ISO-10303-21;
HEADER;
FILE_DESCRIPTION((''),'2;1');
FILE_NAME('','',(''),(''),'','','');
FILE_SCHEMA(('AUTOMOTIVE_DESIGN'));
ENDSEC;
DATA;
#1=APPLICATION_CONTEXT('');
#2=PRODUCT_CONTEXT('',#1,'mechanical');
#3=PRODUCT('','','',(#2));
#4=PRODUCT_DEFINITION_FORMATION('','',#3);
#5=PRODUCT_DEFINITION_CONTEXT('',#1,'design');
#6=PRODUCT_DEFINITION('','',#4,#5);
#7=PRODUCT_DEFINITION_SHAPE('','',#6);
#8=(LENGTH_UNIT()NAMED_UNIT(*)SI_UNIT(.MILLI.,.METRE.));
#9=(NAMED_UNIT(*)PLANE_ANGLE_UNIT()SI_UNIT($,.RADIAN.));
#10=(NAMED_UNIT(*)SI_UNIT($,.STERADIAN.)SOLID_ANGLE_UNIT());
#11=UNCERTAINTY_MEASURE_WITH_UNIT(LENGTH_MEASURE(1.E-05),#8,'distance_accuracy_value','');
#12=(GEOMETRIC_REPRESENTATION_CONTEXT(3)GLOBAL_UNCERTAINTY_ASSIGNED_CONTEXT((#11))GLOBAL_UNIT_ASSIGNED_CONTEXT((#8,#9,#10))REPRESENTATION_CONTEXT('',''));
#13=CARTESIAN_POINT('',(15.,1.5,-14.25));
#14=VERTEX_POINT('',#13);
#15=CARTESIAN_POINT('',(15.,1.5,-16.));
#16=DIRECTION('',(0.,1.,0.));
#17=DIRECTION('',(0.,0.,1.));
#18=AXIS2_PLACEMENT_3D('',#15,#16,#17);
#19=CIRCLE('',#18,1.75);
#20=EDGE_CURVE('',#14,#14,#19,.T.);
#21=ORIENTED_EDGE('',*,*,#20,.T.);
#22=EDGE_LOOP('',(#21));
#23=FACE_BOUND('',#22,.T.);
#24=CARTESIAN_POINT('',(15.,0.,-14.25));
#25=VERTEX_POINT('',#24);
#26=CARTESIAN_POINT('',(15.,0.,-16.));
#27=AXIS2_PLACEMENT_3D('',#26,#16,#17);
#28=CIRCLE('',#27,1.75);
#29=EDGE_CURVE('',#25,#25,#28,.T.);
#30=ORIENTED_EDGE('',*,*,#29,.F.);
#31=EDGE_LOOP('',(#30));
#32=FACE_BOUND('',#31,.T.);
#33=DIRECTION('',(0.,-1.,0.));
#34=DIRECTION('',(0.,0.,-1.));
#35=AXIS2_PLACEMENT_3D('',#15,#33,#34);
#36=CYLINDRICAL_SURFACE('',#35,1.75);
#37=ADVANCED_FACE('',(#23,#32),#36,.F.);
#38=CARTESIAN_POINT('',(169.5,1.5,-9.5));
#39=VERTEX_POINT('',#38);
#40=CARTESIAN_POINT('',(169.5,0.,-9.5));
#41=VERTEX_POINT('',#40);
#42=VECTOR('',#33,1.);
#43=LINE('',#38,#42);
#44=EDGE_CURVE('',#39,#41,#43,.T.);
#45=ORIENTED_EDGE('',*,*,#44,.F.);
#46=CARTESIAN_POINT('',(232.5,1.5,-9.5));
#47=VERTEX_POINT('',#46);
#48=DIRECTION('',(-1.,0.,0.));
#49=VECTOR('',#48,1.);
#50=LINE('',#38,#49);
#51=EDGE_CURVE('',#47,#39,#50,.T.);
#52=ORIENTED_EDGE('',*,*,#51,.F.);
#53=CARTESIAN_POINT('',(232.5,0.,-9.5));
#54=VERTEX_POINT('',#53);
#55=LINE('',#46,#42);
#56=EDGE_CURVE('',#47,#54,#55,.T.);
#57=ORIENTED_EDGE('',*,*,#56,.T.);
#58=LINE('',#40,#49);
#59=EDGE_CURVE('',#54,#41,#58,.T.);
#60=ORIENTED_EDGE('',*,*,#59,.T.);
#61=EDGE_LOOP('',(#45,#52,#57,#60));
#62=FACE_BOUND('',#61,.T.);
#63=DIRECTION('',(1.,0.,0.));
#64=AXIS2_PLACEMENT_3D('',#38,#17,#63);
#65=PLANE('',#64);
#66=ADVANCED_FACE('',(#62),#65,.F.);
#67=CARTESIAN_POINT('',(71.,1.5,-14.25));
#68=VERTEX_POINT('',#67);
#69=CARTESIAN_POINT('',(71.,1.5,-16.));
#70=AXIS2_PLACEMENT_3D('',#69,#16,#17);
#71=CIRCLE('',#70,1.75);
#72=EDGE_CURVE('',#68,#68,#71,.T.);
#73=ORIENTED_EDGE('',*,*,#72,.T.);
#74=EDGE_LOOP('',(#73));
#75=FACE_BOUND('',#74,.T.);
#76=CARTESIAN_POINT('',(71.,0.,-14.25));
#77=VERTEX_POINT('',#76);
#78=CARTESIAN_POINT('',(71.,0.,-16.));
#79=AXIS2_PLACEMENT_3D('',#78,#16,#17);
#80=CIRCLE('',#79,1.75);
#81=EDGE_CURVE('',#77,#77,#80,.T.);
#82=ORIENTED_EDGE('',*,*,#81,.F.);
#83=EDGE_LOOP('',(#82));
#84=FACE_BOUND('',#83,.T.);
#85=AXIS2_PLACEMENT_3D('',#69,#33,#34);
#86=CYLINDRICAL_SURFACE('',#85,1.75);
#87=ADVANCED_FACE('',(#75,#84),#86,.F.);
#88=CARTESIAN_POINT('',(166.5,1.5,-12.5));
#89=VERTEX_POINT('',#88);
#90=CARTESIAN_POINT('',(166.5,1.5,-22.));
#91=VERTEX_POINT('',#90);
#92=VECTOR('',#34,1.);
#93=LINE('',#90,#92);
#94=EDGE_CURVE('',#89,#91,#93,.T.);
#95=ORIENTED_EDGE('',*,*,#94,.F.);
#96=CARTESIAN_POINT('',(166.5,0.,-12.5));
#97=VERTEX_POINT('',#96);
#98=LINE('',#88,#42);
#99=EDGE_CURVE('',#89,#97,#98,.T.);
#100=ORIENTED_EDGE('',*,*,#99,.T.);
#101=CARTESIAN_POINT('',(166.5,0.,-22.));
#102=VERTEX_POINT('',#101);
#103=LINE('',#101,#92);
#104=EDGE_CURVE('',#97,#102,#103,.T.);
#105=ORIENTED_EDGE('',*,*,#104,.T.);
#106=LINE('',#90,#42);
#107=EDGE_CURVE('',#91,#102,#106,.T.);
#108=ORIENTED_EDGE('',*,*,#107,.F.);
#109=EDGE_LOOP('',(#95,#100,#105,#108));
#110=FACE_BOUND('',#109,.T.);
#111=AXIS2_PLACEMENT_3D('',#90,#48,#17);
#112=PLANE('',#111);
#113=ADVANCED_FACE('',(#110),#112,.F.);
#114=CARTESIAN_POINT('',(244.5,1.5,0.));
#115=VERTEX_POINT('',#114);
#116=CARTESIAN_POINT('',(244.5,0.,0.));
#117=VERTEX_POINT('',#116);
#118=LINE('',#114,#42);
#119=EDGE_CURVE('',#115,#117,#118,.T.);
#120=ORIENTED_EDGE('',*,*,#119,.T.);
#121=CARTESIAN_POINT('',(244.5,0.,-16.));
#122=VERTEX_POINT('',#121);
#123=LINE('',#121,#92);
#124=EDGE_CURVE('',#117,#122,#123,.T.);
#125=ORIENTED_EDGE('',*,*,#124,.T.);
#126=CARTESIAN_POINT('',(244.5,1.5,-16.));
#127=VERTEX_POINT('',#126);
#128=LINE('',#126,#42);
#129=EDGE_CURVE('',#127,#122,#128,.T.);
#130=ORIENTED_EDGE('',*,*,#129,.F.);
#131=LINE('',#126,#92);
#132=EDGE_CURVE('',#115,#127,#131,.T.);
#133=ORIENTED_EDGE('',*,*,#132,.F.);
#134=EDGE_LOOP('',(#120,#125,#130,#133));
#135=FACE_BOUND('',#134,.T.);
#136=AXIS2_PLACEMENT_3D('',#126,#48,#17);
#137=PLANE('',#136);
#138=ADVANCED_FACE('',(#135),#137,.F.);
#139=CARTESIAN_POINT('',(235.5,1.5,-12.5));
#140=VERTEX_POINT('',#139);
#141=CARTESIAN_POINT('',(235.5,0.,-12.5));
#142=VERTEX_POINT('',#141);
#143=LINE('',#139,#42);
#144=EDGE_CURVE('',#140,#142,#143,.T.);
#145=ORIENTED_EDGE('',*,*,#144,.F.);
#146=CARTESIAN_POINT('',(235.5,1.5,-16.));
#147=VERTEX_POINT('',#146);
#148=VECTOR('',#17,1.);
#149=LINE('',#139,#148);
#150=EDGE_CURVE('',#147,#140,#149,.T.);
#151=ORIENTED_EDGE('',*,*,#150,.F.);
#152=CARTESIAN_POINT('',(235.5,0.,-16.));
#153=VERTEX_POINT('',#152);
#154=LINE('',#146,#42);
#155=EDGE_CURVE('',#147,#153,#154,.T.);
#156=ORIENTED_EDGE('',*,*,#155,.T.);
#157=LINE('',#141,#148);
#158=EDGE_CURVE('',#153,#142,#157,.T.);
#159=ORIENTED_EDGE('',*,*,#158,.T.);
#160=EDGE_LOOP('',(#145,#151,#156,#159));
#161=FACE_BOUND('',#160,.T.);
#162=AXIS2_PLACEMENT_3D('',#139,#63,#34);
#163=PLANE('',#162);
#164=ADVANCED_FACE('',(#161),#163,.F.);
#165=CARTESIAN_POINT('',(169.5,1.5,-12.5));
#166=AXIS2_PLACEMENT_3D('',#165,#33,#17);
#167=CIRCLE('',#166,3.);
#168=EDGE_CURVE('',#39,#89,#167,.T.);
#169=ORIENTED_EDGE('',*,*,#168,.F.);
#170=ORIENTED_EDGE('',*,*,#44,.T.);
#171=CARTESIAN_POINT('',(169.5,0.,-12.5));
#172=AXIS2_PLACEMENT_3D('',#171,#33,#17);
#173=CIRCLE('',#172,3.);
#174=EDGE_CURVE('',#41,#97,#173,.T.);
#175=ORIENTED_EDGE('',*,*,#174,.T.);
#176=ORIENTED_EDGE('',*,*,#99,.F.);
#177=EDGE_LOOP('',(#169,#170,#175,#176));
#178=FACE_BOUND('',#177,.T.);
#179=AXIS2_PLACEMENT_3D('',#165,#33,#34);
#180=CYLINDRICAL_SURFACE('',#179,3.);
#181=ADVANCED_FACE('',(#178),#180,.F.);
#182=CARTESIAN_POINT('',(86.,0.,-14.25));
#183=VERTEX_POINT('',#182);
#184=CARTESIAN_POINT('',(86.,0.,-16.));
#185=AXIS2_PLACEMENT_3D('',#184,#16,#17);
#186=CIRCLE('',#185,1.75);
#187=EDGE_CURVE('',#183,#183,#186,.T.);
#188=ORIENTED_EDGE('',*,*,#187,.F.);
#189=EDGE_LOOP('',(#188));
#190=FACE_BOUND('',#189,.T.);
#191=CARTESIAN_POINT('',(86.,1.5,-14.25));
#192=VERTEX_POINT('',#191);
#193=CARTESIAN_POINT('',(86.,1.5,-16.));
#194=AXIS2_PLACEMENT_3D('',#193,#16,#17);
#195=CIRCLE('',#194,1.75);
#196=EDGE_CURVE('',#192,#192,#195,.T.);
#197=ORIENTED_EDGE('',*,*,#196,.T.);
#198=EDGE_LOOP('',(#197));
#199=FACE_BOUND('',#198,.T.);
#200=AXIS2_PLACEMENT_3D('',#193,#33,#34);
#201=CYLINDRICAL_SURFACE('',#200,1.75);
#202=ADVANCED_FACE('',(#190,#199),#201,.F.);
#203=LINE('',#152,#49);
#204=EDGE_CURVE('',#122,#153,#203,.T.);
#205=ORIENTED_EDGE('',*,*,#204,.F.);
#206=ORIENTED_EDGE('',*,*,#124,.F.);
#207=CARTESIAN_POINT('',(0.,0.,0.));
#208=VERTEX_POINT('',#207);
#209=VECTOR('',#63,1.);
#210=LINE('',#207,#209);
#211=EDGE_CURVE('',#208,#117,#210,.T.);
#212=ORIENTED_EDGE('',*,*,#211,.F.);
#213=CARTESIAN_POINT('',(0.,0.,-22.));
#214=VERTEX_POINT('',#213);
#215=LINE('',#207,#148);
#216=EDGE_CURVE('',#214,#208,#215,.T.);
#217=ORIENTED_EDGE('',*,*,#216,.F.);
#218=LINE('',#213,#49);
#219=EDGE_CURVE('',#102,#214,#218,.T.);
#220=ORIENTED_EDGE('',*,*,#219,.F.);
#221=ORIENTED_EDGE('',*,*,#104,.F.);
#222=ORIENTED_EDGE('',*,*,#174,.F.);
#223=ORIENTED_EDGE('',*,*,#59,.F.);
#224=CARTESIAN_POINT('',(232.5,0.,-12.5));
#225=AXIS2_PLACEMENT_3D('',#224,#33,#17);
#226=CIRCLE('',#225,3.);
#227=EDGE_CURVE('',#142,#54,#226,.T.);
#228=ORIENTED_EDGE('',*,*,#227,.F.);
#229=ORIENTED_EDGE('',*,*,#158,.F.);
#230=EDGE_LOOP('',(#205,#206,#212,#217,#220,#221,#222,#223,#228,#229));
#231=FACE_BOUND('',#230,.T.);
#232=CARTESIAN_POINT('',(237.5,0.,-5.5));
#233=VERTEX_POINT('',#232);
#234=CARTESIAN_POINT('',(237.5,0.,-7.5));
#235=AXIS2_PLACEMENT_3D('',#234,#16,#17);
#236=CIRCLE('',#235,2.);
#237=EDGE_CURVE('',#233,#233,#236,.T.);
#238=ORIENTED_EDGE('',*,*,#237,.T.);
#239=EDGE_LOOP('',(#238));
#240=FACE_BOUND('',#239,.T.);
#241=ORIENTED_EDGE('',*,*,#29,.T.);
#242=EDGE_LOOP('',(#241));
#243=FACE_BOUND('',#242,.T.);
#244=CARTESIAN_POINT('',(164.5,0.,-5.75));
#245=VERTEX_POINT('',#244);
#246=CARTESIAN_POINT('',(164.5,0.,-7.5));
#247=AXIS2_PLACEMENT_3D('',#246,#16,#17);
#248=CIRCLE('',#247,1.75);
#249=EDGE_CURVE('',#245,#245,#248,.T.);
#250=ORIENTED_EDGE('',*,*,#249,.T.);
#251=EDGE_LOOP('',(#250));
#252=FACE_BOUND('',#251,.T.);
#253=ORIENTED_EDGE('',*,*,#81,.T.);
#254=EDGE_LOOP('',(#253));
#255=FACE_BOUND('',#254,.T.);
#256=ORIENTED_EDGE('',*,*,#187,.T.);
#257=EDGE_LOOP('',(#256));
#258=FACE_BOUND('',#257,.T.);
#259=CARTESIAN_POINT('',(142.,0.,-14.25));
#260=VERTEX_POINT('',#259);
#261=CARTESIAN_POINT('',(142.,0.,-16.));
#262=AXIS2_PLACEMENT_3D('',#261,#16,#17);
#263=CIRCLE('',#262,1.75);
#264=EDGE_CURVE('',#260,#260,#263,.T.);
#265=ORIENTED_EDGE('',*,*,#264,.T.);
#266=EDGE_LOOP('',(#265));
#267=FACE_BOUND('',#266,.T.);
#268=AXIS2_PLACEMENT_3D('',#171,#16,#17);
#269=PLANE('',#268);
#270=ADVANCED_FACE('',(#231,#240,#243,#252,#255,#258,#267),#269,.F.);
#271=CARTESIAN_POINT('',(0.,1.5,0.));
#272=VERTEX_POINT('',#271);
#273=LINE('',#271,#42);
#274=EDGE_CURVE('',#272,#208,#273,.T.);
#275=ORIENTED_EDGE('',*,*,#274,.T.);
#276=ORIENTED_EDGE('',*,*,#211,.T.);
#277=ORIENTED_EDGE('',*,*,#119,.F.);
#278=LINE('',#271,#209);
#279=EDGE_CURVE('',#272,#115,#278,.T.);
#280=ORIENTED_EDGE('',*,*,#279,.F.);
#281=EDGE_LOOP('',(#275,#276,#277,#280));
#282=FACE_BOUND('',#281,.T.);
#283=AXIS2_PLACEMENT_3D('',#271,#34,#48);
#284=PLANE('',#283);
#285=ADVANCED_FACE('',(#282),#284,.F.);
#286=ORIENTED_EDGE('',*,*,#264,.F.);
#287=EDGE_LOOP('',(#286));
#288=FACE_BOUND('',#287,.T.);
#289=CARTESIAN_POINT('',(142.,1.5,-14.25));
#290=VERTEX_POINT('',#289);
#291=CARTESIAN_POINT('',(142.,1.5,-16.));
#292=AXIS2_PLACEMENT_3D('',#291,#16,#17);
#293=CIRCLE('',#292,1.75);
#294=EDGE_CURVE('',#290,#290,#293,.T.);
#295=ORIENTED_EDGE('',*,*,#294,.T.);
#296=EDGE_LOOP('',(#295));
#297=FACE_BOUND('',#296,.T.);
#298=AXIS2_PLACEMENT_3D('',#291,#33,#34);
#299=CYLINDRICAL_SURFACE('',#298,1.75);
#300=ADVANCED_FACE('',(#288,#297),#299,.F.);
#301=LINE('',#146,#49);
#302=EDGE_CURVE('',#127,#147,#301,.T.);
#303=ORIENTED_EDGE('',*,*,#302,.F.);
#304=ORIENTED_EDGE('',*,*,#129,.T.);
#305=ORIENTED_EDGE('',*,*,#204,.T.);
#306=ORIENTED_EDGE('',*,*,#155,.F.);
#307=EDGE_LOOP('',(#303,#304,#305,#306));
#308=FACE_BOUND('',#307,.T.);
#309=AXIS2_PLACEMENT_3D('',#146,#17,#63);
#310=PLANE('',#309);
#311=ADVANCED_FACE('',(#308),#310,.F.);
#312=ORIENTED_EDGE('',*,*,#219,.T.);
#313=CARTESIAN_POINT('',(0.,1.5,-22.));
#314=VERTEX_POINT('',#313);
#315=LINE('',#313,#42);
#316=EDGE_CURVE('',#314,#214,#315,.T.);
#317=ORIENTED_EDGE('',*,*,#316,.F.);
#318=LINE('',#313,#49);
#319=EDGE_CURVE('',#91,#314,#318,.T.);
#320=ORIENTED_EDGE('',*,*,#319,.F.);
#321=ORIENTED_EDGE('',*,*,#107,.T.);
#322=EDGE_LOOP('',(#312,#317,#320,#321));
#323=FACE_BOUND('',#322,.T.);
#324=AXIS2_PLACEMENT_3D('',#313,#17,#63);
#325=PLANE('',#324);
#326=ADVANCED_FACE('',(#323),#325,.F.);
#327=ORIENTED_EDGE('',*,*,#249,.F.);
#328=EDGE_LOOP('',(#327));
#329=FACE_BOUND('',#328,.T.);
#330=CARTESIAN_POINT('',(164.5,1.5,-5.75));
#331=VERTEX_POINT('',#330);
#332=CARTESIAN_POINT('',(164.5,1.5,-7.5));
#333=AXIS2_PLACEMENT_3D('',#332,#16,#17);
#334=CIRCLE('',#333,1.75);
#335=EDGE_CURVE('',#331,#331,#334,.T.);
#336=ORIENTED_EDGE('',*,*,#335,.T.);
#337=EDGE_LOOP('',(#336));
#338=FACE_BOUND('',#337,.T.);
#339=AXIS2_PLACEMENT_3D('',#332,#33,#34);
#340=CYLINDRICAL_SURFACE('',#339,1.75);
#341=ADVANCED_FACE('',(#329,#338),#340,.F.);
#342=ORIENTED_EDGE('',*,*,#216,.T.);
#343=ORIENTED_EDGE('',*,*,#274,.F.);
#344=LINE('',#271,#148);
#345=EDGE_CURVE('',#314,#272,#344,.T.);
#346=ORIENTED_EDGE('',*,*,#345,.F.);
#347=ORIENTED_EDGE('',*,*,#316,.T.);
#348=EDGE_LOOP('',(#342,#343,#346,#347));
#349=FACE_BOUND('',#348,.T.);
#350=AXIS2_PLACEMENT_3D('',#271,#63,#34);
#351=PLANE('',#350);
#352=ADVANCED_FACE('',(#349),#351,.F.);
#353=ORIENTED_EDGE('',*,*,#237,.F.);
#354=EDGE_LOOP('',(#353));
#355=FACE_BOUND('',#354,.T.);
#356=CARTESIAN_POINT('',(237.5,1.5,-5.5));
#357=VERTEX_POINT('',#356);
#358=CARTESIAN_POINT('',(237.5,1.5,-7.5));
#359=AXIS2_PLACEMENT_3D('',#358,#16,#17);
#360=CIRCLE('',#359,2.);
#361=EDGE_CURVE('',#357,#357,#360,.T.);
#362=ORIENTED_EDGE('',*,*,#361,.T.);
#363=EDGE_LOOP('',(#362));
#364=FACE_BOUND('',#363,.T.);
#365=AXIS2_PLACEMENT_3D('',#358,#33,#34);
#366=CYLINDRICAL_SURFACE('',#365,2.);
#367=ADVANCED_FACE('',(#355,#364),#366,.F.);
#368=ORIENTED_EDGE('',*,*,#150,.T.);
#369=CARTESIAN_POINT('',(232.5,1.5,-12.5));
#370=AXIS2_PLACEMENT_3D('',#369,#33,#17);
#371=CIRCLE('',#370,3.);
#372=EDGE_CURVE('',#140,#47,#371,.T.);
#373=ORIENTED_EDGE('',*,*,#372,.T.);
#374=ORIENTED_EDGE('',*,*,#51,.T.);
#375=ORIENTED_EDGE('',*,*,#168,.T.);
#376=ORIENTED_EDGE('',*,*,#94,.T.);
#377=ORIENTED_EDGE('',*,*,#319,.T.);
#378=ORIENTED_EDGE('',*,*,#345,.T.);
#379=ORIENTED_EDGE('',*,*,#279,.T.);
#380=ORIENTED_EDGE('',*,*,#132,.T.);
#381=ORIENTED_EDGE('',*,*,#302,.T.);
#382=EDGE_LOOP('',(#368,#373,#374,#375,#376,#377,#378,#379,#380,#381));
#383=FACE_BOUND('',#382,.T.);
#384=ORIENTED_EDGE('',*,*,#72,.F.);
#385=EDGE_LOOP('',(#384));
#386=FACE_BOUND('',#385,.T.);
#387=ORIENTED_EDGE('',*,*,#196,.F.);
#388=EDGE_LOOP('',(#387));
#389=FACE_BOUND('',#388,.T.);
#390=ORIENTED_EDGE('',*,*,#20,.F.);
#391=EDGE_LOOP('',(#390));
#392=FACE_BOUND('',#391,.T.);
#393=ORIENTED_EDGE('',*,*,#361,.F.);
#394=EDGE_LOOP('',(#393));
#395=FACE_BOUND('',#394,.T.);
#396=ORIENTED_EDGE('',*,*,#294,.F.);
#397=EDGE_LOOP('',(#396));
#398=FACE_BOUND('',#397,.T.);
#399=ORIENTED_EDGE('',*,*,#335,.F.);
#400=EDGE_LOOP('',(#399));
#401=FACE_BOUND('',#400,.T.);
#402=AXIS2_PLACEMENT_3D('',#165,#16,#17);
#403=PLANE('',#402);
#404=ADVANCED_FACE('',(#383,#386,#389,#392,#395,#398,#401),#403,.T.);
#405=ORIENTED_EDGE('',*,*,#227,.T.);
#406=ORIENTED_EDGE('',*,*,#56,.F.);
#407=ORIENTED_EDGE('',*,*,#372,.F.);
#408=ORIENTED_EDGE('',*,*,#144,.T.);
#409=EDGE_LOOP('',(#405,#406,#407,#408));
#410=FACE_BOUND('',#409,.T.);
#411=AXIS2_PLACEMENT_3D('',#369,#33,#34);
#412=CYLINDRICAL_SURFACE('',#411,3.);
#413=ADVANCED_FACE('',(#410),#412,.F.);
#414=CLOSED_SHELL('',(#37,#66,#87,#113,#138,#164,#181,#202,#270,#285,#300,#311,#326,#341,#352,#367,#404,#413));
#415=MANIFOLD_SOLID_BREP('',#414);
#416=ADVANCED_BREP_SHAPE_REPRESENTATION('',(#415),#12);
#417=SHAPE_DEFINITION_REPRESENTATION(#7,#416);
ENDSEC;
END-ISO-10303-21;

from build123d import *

# Parameters (mm, degrees)
SKETCH_1_R      = 1.75
SKETCH_1_R_2    = 2
EXTRUDE_1_DEPTH = 1.5


with BuildPart() as part:
    # Эскиз1 → Бобышка-Вытянуть1 (new body)
    with BuildSketch(Plane(origin=(0, 0, 0), x_dir=(1, 0, 0), z_dir=(0, 1, 0))):
        with BuildLine():
            Line((166.5, 12.5), (166.5, 22))
            Line((166.5, 22), (0, 22))
            Line((0, 22), (0, 0))
            Line((0, 0), (244.5, 0))
            Line((244.5, 0), (244.5, 16))
            Line((244.5, 16), (235.5, 16))
            Line((235.5, 16), (235.5, 12.5))
            ThreePointArc((235.5, 12.5), (234.621320344, 10.378679656), (232.5, 9.5))
            Line((232.5, 9.5), (169.5, 9.5))
            ThreePointArc((169.5, 9.5), (167.378679656, 10.378679656), (166.5, 12.5))
        make_face()
        with Locations((164.5, 7.5)):
            Circle(SKETCH_1_R, mode=Mode.SUBTRACT)
        with Locations((237.5, 7.5)):
            Circle(SKETCH_1_R_2, mode=Mode.SUBTRACT)
        with Locations((15, 16)):
            Circle(SKETCH_1_R, mode=Mode.SUBTRACT)
        with Locations((71, 16)):
            Circle(SKETCH_1_R, mode=Mode.SUBTRACT)
        with Locations((86, 16)):
            Circle(SKETCH_1_R, mode=Mode.SUBTRACT)
        with Locations((142, 16)):
            Circle(SKETCH_1_R, mode=Mode.SUBTRACT)
    extrude(amount=EXTRUDE_1_DEPTH)


solid = part.part
